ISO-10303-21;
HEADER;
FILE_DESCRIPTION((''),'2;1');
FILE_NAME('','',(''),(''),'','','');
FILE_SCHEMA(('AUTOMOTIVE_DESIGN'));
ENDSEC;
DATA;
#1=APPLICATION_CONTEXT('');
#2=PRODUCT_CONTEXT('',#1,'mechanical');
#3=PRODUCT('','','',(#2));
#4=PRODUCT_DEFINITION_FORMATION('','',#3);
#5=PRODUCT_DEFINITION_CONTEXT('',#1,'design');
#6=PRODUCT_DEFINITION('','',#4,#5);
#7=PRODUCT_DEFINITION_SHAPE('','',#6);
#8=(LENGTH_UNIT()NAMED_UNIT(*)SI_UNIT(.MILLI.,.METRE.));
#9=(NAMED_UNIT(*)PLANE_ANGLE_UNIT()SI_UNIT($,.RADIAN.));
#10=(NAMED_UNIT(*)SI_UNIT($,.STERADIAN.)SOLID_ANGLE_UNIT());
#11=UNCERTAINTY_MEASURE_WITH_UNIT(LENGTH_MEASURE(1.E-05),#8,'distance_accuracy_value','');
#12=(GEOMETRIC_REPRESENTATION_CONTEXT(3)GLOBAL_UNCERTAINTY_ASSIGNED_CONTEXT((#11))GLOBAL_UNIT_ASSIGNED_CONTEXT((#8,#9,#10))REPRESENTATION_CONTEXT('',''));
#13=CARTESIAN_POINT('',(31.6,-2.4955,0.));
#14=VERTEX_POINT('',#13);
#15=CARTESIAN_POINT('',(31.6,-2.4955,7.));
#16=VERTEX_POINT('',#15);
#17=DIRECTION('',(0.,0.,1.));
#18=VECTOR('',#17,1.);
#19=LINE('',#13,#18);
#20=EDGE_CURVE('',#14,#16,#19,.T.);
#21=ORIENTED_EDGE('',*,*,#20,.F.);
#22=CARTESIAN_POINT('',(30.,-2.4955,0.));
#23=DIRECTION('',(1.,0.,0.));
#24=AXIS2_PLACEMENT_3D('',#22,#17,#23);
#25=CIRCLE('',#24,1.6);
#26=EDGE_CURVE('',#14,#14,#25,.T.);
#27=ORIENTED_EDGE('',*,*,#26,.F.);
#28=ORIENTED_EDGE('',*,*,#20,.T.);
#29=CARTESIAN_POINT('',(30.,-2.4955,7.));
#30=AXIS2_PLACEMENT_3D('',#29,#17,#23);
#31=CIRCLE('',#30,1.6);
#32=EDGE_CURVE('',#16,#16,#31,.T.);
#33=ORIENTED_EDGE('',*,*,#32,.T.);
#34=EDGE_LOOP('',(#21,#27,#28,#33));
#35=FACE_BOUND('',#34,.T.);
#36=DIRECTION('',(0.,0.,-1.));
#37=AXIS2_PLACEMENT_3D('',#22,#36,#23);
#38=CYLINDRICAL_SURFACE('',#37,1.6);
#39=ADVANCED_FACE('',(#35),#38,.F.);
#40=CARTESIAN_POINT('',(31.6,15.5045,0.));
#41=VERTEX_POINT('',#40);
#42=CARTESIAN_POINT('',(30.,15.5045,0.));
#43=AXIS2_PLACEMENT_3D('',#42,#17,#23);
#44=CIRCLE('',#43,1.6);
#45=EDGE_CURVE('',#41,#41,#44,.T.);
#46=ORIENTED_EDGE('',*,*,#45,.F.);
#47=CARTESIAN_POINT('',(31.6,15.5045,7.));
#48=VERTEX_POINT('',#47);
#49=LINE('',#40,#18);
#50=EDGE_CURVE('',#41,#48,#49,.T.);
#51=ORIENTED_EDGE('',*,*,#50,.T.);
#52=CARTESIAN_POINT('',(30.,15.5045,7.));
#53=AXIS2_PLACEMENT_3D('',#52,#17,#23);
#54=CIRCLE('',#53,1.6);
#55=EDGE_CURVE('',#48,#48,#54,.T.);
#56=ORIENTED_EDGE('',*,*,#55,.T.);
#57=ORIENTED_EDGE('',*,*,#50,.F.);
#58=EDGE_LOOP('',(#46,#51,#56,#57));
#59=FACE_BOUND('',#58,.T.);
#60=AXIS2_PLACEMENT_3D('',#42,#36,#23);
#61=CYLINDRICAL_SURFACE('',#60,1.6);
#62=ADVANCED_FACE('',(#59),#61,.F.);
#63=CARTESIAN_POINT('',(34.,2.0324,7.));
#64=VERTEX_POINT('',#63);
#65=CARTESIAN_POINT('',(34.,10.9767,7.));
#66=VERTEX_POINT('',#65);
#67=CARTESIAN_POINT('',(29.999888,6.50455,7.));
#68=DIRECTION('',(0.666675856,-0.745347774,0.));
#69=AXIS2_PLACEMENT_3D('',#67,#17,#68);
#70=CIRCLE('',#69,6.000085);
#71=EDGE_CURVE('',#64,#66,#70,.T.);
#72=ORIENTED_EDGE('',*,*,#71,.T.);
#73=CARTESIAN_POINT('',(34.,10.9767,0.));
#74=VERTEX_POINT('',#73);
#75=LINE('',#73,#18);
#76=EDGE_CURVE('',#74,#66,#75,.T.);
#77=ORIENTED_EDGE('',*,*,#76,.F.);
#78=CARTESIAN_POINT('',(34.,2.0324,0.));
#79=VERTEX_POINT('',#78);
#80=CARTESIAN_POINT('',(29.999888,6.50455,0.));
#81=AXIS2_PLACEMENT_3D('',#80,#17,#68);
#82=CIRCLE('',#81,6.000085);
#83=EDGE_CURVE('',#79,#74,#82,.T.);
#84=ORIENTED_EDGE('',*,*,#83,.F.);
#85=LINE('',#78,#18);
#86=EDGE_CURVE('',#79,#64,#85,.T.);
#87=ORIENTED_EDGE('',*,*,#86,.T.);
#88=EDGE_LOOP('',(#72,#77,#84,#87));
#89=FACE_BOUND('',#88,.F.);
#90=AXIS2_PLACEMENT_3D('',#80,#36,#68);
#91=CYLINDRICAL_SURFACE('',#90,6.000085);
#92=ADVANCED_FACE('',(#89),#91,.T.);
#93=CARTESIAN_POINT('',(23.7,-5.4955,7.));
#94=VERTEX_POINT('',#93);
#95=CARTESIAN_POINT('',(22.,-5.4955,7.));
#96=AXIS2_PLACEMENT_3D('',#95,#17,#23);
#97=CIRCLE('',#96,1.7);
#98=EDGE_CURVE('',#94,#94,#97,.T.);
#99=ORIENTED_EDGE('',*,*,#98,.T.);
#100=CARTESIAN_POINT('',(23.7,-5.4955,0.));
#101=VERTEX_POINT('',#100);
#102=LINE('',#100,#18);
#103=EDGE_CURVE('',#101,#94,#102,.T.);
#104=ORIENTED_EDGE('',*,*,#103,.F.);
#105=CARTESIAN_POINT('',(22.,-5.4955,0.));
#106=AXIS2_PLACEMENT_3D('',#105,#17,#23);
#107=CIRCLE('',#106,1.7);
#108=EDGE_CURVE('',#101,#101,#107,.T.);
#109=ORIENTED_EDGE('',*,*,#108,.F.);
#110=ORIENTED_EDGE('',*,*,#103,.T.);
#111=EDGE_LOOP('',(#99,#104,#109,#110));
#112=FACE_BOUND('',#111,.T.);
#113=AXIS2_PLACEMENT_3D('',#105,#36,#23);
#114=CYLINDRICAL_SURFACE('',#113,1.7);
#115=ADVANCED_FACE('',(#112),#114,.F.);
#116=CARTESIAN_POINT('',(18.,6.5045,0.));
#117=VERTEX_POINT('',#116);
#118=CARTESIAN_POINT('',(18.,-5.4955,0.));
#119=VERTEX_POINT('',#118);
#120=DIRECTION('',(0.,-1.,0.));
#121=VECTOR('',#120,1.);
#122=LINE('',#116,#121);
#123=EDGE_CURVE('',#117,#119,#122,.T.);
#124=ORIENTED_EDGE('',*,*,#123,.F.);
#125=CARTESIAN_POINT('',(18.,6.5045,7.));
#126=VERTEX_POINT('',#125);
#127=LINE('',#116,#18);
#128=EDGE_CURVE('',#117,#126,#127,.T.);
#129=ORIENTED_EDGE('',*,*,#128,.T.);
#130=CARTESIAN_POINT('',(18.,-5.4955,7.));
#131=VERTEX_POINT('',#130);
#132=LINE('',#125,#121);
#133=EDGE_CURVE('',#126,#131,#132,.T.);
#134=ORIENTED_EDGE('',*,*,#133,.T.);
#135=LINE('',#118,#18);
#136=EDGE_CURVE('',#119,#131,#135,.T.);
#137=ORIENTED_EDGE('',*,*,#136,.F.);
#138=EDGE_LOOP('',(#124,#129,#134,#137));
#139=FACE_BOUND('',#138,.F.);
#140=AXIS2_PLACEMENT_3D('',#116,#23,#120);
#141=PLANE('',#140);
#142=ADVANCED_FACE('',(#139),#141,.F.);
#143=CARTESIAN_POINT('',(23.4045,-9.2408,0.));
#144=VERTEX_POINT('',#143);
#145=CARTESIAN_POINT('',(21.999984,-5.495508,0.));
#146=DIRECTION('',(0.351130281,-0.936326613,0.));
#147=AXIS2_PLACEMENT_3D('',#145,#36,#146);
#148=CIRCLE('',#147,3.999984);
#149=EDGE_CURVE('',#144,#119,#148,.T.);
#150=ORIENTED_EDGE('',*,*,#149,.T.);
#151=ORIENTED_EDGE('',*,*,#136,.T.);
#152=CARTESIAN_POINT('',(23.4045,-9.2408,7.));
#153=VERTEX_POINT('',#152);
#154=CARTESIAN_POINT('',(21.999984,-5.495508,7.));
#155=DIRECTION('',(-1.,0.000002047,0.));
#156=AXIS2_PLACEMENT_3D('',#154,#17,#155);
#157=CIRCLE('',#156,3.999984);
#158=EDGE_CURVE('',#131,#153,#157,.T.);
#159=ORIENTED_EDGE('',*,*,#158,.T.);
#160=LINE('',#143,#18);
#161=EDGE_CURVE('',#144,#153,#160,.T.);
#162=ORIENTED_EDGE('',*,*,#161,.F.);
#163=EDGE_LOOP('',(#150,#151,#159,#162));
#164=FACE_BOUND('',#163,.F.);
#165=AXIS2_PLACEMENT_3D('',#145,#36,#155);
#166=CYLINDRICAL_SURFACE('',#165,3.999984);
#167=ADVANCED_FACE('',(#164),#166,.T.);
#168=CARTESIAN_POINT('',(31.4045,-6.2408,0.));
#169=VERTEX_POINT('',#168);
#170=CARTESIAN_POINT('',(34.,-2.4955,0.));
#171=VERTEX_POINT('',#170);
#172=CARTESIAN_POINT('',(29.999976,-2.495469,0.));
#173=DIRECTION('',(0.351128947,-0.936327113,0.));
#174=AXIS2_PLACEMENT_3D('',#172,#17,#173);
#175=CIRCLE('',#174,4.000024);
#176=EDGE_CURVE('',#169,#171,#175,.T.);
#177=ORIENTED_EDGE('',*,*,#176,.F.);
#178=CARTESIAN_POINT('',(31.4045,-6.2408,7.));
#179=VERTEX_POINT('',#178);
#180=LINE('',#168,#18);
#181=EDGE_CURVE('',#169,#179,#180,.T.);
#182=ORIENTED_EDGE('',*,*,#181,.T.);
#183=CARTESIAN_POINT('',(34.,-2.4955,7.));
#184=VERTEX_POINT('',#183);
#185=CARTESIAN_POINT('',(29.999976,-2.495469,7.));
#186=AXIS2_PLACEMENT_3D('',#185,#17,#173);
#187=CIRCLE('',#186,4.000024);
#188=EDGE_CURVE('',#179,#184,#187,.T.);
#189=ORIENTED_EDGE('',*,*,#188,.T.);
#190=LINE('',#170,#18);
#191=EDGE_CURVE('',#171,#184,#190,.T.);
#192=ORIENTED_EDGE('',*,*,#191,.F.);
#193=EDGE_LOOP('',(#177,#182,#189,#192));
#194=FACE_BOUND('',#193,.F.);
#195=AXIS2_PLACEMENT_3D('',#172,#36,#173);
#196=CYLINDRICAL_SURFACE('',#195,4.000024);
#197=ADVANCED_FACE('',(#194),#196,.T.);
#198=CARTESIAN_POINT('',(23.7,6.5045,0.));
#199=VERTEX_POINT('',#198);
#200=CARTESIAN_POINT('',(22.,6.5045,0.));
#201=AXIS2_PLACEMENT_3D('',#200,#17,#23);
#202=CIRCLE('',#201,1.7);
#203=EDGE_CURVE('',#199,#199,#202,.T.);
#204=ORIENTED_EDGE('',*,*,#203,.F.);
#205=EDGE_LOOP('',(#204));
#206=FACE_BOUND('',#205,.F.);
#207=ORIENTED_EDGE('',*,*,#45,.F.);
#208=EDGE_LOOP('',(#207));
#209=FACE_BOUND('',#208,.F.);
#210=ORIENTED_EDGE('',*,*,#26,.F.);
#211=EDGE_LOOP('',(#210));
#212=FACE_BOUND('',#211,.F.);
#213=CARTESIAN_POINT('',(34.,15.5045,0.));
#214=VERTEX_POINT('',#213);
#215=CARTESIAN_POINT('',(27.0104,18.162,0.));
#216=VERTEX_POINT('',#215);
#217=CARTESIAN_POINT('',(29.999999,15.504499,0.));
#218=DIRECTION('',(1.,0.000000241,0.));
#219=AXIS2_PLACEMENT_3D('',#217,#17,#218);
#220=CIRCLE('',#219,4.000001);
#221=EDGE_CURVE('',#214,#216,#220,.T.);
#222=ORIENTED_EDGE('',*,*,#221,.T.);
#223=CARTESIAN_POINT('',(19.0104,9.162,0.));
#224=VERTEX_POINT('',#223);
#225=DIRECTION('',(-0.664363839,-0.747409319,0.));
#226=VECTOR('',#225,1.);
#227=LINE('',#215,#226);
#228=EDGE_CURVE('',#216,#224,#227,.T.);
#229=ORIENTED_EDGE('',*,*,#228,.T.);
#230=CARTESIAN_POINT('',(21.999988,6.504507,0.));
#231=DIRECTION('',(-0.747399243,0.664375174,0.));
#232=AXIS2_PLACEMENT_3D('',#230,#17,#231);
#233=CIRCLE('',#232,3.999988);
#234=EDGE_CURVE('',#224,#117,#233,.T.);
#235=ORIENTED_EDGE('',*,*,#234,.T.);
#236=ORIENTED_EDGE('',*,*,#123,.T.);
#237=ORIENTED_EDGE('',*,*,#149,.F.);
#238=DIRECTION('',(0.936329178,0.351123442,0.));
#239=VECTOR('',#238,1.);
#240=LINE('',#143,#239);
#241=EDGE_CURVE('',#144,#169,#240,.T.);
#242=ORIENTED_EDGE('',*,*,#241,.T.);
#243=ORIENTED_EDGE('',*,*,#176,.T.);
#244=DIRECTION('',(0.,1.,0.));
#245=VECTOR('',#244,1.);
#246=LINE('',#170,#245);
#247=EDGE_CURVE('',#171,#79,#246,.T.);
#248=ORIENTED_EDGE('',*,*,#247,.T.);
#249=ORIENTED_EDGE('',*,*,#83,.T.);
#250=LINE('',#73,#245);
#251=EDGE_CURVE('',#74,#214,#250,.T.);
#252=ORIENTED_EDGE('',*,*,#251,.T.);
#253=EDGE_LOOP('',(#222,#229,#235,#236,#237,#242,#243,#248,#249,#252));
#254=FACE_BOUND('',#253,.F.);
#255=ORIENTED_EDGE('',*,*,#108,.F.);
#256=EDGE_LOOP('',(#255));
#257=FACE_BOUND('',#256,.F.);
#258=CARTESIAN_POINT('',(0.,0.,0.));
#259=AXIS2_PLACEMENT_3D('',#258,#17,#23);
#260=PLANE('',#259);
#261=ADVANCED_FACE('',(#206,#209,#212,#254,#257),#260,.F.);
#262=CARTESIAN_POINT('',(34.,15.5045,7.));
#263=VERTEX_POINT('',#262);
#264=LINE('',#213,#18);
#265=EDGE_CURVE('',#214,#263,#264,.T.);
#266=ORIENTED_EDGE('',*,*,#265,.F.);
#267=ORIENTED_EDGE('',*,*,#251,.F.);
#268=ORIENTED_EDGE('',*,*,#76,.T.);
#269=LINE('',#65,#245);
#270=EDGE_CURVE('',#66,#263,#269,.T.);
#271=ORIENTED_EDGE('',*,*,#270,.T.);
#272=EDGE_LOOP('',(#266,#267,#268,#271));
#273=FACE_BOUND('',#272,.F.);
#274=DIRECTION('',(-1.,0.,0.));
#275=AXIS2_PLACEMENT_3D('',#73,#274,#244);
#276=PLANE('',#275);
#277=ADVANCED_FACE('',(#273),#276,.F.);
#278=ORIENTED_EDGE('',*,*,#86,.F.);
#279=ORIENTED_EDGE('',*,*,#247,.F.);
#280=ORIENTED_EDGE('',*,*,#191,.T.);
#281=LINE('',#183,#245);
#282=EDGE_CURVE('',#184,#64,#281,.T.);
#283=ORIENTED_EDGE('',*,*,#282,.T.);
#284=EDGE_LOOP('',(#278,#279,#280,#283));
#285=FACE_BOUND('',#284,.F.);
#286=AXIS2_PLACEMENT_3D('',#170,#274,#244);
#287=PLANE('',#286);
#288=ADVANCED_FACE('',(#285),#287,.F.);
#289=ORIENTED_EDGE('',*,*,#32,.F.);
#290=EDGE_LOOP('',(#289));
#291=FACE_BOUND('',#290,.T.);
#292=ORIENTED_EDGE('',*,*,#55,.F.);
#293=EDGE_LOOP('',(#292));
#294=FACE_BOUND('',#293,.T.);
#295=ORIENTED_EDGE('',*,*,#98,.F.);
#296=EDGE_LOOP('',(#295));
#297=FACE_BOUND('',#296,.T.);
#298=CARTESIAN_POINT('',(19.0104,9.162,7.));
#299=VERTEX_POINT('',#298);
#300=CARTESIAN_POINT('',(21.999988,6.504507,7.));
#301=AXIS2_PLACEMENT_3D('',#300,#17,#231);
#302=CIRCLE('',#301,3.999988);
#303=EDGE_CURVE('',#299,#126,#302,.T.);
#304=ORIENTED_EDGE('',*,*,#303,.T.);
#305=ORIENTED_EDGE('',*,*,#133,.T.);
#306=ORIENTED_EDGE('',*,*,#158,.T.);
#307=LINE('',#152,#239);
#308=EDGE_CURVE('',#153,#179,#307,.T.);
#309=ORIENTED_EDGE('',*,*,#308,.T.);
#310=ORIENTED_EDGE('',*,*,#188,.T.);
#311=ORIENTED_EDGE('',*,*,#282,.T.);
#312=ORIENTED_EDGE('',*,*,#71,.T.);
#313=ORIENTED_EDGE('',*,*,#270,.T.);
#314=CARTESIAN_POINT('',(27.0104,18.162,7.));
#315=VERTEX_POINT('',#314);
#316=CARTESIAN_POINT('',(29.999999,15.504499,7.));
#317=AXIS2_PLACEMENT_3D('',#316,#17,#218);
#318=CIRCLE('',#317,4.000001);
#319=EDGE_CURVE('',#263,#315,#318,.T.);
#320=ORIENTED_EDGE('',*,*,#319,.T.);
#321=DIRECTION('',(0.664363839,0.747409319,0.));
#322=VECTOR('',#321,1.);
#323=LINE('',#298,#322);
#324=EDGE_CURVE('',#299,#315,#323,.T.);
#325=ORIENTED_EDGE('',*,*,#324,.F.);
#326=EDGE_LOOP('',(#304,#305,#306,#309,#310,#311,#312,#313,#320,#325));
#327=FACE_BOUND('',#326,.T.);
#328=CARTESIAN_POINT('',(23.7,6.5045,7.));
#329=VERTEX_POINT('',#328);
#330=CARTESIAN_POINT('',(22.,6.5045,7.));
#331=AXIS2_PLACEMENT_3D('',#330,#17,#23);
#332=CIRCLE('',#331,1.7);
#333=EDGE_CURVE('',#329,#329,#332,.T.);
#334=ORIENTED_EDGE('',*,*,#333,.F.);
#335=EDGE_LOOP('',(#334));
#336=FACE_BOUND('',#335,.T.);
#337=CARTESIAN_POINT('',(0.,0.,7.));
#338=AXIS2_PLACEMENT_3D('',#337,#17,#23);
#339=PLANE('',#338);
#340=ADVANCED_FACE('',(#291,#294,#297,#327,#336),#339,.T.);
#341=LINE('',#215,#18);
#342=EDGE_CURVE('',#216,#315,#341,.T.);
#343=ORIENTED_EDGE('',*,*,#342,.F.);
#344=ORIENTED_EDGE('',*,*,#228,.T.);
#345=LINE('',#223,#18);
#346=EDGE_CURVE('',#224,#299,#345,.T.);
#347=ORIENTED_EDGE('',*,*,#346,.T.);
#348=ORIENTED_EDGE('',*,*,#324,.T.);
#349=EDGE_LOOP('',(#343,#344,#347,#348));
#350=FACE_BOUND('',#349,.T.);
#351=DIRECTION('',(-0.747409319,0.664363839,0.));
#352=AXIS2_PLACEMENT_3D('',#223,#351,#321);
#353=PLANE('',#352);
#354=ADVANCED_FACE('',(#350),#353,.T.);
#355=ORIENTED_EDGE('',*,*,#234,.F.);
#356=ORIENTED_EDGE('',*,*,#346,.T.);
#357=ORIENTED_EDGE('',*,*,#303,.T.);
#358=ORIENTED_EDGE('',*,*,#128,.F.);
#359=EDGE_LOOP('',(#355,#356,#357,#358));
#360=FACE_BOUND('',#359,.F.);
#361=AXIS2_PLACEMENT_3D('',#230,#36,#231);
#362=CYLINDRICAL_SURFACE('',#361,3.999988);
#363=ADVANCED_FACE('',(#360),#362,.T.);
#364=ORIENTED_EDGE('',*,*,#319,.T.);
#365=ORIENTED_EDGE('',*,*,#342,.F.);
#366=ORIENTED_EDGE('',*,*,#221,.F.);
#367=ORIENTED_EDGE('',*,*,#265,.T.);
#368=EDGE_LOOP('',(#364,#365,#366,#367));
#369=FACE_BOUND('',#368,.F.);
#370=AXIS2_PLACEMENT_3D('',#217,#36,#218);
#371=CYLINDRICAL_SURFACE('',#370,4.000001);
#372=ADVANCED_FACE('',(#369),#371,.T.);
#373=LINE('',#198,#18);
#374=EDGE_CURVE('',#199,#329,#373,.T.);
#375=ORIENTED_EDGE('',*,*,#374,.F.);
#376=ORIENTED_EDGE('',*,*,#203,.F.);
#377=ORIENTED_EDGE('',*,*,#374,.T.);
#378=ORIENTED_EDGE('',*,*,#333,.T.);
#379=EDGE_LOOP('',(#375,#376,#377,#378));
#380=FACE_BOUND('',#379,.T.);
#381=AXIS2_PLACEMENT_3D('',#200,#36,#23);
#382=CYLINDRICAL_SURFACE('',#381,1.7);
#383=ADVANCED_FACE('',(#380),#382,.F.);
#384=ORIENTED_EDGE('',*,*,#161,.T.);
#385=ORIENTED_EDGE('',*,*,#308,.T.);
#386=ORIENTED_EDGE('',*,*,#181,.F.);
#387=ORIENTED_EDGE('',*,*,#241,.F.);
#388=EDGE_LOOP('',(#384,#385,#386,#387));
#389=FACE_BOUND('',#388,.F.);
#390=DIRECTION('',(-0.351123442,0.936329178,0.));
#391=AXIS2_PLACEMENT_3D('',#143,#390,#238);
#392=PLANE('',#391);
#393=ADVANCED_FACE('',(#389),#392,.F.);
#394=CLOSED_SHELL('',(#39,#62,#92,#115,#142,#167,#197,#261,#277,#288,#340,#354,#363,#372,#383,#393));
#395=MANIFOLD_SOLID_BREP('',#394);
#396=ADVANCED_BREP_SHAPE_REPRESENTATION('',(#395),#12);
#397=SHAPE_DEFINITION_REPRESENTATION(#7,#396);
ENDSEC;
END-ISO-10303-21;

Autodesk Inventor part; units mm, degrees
ref_plane "YZ Plane" through (0, 0, 0) normal (1, 0, 0) x (0, 1, 0)
ref_plane "XZ Plane" through (0, 0, 0) normal (0, 1, 0) x (-1, 0, 0)
ref_plane "XY Plane" through (0, 0, 0) normal (0, 0, 1) x (1, 0, 0)
sketch "Sketch1" plane through (0, 0, 0) normal (0, 0, 1) x (1, 0, 0)
  circle A0 centre (22, -5.4955) radius 1.7 projected
  circle A1 centre (22, 6.5045) radius 1.7 projected
  arc A2 (22, -9.4955) -> (26, -5.4955) centre (22, -5.4955) ccw construction
  line L0 (22, -5.4955) -> (22, 6.5045) construction
  line L1 (18, 6.5045) -> (18, -5.4955)
  arc A3 (18, -5.4955) -> (23.4045, -9.2408) centre (22, -5.4955) ccw
  circle A4 centre (30, 15.5045) radius 1.6
  circle A5 centre (30, -2.4955) radius 1.6
  arc A6 (34, 15.5045) -> (27.0104, 18.162) centre (30, 15.5045) ccw
  arc A7 (31.4045, -6.2408) -> (34, -2.4955) centre (30, -2.4955) ccw
  line L2 (34, -2.4955) -> (34, 2.0324)
  line L3 (34, 10.9767) -> (34, 15.5045)
  arc A8 (34, 2.0324) -> (34, 10.9767) centre (30, 6.5045) ccw
  line L4 (19.0104, 9.162) -> (27.0104, 18.162)
  arc A9 (19.0104, 9.162) -> (18, 6.5045) centre (22, 6.5045) ccw
  line L5 (23.4045, -9.2408) -> (31.4045, -6.2408)
  circle A10 centre (22, -5.4955) radius 1.7 projected
  circle A11 centre (-15, -5.4955) radius 1.7 projected
  circle A12 centre (-15, 6.5045) radius 1.7 projected
  circle A13 centre (22, 6.5045) radius 1.7 projected
  circle A14 centre (-8, 6.5045) radius 1.7 projected
  arc A15 (-15, 10.5045) -> (-19, 6.5045) centre (-15, 6.5045) ccw projected
  line L6 (-19, 6.5045) -> (-19, -5.4955) projected
  arc A16 (-19, -5.4955) -> (-15, -9.4955) centre (-15, -5.4955) ccw projected
  line L7 (-15, -9.4955) -> (22, -9.4955) projected
  arc A17 (22, -9.4955) -> (26, -5.4955) centre (22, -5.4955) ccw projected
  line L8 (26, -5.4955) -> (26, 6.5045) projected
  arc A18 (26, 6.5045) -> (22, 10.5045) centre (22, 6.5045) ccw projected
  line L9 (22, 10.5045) -> (15.2, 10.5045) projected
  arc A19 (15.2, 10.5045) -> (13.2, 8.5045) centre (15.2, 8.5045) ccw projected
  line L10 (13.2, 8.5045) -> (13.2, 6.5045) projected
  arc A20 (0.8, 6.5045) -> (13.2, 6.5045) centre (7, 6.5045) ccw projected
  line L11 (0.8, 6.5045) -> (0.8, 8.5045) projected
  arc A21 (0.8, 8.5045) -> (-1.2, 10.5045) centre (-1.2, 8.5045) ccw projected
  line L12 (-1.2, 10.5045) -> (-15, 10.5045) projected
  line L13 (30, 15.5045) -> (30, -2.4955) construction
  circle A22 centre (30, 6.5045) radius 2.5
  point P0 (22, 0.5045)
  dimension "d5" = 8
  dimension "d7" = 8
  dimension "d8" = 6
  dimension "d10" = 3.2
  dimension "d11" = 4
  dimension "d15" = 18
  dimension "d16" = 5
extrude "Extrusion1" add sketch "Sketch1" along normal blind 7 contours A9 L4 L9 A18 L8 A17 A3 L1 | L4 A6 L3 A8 L2 A7 L5 A17 L8 A18 L9 | A22
properties part number "BLTouch_Connector"
